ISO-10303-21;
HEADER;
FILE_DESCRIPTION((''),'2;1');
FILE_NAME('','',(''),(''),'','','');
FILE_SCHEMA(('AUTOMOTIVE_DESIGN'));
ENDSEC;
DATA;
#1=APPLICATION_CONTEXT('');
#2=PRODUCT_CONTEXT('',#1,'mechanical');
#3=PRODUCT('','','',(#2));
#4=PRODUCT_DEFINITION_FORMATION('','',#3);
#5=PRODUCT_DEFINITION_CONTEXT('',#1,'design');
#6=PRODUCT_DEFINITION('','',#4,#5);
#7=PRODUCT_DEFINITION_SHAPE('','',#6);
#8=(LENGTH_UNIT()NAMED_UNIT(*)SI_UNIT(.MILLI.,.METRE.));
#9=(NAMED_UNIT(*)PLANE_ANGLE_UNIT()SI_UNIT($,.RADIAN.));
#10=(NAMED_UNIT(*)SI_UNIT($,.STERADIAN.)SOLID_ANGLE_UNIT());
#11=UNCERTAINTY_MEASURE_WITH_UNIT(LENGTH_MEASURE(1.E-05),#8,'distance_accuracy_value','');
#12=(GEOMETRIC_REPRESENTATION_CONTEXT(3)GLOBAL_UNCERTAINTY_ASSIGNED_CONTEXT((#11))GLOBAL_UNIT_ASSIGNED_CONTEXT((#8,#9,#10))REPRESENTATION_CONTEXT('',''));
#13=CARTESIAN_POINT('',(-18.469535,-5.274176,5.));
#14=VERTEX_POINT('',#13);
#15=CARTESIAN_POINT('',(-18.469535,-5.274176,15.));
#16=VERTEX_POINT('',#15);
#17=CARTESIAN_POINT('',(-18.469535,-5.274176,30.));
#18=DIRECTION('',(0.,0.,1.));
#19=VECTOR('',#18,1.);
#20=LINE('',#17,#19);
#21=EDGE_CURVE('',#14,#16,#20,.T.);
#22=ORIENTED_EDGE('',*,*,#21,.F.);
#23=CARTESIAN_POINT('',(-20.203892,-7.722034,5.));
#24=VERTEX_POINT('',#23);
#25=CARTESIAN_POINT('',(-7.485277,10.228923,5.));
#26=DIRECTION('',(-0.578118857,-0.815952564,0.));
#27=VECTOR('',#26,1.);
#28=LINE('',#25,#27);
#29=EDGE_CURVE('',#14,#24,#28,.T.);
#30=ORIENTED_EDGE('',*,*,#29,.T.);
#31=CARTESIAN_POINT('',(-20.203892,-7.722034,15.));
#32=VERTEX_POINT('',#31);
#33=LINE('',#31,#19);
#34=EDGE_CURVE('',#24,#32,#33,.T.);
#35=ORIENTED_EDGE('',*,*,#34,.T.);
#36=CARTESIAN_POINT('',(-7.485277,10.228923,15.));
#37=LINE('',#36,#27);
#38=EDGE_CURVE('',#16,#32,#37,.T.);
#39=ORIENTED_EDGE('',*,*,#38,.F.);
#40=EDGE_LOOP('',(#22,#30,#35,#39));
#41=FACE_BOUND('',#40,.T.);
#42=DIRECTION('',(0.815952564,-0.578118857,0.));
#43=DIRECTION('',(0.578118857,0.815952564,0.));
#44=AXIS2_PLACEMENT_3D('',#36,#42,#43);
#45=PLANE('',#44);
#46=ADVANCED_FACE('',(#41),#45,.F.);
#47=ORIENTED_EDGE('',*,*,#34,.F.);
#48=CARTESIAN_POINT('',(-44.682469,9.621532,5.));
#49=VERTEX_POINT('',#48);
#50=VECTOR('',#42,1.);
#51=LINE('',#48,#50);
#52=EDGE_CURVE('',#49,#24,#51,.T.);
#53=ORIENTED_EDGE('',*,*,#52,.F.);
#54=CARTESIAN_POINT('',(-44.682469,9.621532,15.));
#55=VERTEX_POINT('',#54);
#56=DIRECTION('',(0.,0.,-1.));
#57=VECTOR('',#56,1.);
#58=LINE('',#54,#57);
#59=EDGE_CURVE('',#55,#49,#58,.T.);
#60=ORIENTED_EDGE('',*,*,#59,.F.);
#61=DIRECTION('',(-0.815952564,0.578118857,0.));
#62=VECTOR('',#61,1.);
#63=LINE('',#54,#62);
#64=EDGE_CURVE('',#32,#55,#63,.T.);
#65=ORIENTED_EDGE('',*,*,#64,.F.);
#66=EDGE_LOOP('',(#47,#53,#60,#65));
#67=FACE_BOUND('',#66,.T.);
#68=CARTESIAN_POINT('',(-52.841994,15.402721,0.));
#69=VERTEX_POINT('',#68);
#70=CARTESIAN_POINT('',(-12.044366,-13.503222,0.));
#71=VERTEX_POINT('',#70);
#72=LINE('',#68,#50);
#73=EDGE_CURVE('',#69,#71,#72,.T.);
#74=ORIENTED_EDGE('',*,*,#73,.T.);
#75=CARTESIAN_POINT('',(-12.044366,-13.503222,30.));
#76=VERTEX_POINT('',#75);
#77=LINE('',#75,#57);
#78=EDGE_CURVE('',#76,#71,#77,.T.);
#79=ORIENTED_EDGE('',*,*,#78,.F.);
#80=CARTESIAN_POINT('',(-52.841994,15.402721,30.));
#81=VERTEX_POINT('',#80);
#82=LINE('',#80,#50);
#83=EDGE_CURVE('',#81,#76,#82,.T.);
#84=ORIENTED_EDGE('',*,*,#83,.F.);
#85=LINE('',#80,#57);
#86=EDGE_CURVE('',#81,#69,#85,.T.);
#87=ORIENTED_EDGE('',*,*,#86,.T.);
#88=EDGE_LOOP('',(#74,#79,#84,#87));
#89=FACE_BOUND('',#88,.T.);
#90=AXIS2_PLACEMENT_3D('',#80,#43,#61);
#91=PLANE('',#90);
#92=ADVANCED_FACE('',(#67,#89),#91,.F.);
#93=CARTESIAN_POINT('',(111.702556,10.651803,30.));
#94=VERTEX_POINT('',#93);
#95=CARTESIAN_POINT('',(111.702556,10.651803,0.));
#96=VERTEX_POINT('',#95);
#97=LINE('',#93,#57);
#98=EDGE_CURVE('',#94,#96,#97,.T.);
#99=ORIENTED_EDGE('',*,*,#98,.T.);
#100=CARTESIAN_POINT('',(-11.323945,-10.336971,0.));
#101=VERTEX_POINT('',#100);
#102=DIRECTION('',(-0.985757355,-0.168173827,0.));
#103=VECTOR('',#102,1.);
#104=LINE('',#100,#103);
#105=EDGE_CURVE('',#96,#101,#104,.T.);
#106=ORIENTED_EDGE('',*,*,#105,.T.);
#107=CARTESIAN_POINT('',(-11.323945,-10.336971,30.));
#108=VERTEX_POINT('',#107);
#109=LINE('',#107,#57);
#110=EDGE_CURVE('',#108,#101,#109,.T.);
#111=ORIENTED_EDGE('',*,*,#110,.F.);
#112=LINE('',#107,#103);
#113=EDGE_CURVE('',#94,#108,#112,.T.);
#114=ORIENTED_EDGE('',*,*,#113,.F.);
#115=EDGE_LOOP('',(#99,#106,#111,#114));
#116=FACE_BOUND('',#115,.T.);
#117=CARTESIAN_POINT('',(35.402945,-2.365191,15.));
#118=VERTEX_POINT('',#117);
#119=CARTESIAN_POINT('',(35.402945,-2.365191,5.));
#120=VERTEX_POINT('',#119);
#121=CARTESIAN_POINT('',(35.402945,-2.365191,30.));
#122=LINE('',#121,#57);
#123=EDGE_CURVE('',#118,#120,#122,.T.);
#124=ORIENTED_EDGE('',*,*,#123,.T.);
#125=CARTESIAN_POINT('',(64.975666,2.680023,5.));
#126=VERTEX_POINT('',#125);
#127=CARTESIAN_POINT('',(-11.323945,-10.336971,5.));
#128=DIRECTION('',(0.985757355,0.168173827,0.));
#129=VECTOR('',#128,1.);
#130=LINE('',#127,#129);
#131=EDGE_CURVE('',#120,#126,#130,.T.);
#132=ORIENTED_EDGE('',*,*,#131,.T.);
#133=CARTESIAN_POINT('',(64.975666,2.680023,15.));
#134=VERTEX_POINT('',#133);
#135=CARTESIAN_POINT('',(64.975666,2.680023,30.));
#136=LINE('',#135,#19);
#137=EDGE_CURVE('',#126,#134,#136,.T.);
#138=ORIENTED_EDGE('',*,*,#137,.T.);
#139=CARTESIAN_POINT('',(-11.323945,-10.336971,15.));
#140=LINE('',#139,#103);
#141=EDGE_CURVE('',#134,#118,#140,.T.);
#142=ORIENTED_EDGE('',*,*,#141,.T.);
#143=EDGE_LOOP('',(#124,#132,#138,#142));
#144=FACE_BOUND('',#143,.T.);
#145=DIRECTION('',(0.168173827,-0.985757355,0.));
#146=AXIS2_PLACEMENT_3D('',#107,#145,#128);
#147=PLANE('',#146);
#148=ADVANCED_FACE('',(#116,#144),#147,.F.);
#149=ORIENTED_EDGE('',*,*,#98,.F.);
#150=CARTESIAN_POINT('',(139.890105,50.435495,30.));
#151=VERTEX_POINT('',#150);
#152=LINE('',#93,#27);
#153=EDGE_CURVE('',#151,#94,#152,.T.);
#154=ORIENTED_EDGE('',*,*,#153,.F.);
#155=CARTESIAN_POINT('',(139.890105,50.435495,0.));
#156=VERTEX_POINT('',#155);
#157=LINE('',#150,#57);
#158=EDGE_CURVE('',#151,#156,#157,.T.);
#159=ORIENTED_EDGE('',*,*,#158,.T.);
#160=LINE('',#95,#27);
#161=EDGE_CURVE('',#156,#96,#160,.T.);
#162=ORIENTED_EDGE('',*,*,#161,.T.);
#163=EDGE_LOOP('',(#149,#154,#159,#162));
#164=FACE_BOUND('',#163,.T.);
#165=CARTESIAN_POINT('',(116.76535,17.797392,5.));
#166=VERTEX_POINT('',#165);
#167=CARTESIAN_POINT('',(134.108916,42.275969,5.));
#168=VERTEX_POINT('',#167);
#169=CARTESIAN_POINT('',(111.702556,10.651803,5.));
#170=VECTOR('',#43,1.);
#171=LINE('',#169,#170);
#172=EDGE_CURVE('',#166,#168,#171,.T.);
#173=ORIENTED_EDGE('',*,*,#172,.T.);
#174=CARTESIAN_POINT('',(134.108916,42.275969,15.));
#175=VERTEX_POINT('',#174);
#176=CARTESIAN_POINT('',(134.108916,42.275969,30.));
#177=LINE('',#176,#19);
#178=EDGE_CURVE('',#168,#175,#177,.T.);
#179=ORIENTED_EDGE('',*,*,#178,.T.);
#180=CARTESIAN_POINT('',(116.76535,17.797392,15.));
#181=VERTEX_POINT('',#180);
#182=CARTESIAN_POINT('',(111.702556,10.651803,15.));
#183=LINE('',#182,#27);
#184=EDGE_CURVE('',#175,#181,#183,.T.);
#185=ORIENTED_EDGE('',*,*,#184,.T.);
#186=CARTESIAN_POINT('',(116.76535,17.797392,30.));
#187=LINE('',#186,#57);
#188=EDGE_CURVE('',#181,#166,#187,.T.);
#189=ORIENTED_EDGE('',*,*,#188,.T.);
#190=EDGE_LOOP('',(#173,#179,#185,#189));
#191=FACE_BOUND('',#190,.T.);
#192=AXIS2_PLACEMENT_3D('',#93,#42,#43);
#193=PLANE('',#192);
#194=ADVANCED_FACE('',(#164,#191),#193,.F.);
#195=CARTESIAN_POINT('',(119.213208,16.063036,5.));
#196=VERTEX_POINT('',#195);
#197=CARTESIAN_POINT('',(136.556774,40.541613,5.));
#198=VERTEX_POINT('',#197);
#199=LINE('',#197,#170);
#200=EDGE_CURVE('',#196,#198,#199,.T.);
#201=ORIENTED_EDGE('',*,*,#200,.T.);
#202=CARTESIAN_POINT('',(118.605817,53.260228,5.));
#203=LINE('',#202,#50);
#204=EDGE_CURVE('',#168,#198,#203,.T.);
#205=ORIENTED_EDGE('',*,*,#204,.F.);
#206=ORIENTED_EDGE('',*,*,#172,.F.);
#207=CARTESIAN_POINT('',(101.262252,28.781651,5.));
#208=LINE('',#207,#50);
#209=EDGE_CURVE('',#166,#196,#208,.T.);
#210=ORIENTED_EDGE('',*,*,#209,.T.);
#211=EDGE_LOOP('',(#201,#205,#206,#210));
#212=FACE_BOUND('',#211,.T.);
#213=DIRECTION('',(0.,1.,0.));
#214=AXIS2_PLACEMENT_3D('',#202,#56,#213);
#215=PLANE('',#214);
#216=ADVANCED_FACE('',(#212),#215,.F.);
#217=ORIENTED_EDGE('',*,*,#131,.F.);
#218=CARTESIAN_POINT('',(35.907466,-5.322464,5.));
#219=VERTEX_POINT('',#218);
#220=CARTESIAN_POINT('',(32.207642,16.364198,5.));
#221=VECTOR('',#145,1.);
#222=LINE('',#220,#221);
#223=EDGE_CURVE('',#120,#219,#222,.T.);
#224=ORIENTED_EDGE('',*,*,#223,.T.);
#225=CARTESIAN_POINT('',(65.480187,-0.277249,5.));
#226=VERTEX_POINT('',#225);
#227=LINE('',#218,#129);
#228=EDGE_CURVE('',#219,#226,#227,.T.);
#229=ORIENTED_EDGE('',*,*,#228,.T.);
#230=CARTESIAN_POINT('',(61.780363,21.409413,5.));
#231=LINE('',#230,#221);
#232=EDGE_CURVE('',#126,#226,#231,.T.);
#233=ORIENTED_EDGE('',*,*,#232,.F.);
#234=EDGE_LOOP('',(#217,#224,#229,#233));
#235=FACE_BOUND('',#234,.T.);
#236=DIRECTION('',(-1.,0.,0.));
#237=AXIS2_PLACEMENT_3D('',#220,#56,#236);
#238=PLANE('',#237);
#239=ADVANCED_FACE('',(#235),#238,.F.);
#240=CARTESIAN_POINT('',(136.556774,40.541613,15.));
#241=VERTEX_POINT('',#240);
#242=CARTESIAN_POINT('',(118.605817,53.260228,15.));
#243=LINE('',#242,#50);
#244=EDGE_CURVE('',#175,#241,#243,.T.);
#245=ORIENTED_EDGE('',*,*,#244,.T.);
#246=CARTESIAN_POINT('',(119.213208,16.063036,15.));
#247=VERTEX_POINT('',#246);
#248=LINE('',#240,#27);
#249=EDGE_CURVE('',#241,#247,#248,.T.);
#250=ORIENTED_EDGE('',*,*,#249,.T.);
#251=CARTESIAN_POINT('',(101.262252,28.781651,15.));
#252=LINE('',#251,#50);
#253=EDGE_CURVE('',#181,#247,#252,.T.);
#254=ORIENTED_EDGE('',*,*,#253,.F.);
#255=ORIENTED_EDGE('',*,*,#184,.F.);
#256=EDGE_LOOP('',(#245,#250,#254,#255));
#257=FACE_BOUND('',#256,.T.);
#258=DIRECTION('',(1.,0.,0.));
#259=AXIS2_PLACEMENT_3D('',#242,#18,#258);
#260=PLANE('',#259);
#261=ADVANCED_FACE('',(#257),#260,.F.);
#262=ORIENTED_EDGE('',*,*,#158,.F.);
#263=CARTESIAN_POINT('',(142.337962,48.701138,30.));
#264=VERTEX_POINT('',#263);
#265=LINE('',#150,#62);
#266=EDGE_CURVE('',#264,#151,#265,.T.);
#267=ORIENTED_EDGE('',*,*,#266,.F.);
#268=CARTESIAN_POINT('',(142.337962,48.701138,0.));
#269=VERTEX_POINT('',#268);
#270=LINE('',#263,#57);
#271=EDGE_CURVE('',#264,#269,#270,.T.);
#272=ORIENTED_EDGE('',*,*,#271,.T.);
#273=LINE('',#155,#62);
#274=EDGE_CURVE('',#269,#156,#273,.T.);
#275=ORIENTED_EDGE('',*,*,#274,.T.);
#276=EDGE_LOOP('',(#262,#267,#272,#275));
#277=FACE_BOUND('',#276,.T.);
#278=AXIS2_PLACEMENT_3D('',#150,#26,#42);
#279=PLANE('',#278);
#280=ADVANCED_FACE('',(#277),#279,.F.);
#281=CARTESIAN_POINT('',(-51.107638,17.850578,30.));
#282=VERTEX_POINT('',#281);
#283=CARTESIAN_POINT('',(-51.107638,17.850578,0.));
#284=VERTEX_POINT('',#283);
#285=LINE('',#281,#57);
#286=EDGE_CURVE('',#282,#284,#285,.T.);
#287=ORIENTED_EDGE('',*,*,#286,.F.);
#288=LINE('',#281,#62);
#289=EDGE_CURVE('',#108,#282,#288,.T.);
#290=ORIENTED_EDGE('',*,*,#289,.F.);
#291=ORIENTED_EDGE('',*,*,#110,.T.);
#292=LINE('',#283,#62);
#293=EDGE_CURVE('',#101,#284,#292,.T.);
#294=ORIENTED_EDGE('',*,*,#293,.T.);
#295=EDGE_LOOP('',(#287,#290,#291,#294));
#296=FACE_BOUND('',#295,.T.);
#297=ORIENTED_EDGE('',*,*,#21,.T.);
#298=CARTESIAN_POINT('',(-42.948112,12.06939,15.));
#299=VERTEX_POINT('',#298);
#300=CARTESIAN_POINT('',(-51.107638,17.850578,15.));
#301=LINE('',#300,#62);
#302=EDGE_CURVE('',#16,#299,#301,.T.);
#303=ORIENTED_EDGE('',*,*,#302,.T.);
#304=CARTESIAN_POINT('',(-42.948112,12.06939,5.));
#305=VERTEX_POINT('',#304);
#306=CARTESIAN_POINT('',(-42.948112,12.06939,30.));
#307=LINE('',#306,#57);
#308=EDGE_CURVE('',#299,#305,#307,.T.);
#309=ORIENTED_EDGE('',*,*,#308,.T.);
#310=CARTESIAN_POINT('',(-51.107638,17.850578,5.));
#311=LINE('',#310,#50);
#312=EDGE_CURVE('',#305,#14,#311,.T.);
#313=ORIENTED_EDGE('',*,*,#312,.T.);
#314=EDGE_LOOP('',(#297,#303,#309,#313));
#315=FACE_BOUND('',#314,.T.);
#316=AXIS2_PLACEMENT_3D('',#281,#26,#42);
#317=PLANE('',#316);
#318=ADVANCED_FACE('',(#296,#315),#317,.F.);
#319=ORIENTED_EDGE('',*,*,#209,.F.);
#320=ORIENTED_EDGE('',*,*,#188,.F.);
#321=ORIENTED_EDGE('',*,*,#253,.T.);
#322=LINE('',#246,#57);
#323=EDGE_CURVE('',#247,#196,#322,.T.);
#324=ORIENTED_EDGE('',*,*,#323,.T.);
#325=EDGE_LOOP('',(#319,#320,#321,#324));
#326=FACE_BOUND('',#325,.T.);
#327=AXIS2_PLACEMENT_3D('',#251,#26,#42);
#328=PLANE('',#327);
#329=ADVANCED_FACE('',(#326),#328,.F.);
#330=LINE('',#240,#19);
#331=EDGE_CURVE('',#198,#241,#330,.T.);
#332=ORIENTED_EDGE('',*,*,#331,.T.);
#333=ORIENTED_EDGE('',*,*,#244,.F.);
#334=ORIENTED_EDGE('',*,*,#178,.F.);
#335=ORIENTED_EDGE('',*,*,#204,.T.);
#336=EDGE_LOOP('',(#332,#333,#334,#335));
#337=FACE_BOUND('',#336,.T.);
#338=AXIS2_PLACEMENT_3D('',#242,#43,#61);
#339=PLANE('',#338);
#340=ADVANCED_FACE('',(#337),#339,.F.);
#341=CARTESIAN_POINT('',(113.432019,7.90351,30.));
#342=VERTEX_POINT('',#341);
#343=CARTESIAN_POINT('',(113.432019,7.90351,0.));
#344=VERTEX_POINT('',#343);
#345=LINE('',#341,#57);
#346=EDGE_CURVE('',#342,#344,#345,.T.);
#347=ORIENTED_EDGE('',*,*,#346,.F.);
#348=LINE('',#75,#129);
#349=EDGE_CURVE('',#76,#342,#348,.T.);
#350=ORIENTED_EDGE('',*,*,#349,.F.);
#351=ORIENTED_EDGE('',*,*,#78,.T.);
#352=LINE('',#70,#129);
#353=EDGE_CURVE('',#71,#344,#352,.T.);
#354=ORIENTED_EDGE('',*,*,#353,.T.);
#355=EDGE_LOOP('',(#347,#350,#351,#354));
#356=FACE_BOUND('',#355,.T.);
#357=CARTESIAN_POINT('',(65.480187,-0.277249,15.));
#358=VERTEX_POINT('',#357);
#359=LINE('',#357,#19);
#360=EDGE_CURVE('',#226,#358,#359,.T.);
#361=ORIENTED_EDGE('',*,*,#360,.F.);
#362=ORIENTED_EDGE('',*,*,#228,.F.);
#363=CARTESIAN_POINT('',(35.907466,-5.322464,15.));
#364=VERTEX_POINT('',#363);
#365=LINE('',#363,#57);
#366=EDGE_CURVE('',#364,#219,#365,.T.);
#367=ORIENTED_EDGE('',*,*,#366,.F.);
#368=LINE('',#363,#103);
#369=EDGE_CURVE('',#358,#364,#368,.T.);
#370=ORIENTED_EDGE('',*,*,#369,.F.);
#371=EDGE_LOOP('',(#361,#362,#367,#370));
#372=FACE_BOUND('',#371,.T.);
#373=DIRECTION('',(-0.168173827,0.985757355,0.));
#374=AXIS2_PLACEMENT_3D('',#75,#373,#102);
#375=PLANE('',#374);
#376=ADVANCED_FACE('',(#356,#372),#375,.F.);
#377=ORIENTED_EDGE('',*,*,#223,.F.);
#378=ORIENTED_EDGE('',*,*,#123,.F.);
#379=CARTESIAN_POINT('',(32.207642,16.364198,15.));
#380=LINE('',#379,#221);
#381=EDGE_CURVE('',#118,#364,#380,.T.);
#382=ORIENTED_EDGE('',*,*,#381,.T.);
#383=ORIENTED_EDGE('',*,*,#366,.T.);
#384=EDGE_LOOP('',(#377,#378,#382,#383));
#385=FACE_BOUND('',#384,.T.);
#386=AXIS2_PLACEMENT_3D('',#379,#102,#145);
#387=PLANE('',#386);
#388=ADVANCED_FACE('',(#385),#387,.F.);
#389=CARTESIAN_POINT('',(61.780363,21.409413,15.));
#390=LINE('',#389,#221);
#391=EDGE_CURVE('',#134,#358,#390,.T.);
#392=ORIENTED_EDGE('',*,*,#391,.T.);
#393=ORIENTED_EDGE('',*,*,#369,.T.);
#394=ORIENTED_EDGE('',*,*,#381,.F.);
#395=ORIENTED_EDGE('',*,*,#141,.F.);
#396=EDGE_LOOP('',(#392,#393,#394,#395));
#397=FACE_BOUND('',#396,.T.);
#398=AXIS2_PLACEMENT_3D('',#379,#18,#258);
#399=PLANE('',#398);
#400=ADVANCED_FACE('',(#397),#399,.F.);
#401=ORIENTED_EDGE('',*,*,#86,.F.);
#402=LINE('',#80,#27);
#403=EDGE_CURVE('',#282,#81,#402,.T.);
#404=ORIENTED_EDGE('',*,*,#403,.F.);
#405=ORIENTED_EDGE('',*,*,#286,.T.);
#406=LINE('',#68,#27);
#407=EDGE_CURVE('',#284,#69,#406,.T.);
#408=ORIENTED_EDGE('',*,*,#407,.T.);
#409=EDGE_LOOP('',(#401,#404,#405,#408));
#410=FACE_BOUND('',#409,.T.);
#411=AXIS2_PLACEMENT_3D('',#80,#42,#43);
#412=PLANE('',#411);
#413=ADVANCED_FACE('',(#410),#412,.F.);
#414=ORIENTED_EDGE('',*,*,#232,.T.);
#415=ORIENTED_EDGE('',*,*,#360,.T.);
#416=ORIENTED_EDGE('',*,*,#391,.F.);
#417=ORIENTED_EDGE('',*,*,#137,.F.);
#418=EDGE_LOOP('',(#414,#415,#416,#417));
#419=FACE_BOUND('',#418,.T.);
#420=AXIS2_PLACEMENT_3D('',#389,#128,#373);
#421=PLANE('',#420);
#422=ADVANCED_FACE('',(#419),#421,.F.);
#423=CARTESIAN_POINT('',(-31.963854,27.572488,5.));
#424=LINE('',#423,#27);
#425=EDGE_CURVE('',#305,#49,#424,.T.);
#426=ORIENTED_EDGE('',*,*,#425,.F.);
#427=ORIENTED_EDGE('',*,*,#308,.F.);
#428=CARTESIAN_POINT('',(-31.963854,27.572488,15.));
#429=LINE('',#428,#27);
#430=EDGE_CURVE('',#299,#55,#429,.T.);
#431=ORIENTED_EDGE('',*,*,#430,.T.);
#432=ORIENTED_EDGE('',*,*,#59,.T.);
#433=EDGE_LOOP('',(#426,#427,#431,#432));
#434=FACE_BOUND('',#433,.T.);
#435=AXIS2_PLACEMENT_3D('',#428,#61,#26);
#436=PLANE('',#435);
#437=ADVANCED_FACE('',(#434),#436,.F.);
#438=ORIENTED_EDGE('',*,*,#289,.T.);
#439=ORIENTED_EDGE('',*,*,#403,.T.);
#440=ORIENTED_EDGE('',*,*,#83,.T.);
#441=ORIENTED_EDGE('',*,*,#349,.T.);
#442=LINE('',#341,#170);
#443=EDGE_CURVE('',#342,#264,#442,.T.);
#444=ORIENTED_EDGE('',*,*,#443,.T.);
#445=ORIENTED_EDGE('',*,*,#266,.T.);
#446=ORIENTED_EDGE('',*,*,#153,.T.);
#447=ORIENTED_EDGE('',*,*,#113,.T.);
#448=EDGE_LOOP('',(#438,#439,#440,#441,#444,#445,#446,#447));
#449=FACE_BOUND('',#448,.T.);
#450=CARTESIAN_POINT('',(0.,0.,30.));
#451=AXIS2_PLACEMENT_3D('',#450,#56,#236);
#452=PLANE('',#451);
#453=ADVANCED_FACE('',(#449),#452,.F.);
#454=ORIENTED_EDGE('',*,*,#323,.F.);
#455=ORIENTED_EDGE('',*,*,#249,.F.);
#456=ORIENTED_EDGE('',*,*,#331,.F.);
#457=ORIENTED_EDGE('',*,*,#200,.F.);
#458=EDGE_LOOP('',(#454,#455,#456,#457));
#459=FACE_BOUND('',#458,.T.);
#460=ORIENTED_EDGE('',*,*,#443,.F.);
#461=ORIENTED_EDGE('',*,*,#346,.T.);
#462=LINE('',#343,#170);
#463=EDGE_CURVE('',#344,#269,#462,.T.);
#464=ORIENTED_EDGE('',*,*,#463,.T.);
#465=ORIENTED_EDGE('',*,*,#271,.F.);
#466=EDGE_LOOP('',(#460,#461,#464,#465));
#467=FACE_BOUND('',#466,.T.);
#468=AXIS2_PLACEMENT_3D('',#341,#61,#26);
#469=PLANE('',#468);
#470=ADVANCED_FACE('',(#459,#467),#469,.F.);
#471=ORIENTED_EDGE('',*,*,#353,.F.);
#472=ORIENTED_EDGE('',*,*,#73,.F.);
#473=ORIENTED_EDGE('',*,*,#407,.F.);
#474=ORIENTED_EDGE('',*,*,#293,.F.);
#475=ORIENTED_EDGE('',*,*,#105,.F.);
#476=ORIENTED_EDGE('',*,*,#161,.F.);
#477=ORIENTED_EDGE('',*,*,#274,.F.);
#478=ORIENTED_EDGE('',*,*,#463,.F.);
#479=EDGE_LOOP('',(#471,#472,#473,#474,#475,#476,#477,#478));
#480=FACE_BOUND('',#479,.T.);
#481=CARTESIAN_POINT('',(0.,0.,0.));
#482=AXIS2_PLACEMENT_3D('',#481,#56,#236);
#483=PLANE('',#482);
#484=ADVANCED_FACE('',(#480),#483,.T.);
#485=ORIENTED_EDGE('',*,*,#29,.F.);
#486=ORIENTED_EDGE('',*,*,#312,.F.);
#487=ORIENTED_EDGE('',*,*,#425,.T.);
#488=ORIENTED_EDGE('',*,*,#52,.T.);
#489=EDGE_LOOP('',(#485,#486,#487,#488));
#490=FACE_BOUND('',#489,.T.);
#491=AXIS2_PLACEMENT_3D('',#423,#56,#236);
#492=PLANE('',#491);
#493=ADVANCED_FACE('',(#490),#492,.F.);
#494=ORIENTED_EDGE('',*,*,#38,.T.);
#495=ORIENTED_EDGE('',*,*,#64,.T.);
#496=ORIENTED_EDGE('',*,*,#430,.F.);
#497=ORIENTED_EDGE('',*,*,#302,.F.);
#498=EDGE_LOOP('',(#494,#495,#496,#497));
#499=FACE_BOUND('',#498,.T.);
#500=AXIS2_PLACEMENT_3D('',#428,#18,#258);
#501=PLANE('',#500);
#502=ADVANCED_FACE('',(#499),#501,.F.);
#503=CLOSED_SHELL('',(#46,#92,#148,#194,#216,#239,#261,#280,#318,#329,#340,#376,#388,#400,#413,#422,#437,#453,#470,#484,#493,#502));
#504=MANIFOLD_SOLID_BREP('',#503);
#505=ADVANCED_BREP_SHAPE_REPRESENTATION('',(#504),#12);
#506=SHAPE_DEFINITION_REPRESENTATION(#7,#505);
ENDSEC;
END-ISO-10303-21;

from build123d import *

# Parameters (mm, degrees)
BOSS_EXTRUDE1_DEPTH = 30
SKETCH4_W           = 30
SKETCH4_H           = 10
CUT_EXTRUDE1_DEPTH  = 22
SKETCH5_W           = 30
SKETCH5_H           = 10
CUT_EXTRUDE2_DEPTH  = 22
SKETCH7_W           = 10
SKETCH7_H           = 30
CUT_EXTRUDE3_DEPTH  = 22


with BuildPart() as part:
    # Sketch1 → Boss-Extrude1 (new body)
    with BuildSketch(Plane.XY):
        Polygon((-52.841994179, 15.40272055), (-12.04436597, -13.503222307), (113.43201935, 7.903510096), (142.337962207, 48.701138306), (139.890104514, 50.435494878), (111.702555671, 10.651802523), (-11.323945253, -10.336970601), (-51.107637608, 17.850578242), align=None)
    extrude(amount=BOSS_EXTRUDE1_DEPTH)

    # Sketch4 → Cut-Extrude1 (cut)
    with BuildSketch(Plane(origin=(1.897901103, -11.124620313, 0), x_dir=(0.9857573554860628, 0.16817382705142964, 0), z_dir=(0.1681738270514296, -0.9857573554860627, 0))):
        with Locations((49.500950021, 10)):
            Rectangle(SKETCH4_W, SKETCH4_H)
    extrude(amount=-CUT_EXTRUDE1_DEPTH, mode=Mode.SUBTRACT)

    # Sketch5 → Cut-Extrude2 (cut)
    with BuildSketch(Plane(origin=(-10.395192144, -14.671695242, 0), x_dir=(0.8159525641948715, -0.5781188571425553, 0), z_dir=(-0.5781188571425553, -0.8159525641948715, 0))):
        with Locations((-27.021163849, 10)):
            Rectangle(SKETCH5_W, SKETCH5_H)
    extrude(amount=-CUT_EXTRUDE2_DEPTH, mode=Mode.SUBTRACT)

    # Sketch7 → Cut-Extrude3 (cut)
    with BuildSketch(Plane(origin=(71.792385036, -50.866353523, 0), x_dir=(0, 0, -1), z_dir=(0.8159525641948736, -0.5781188571425522, 0))):
        with Locations((-10, 97.026078719)):
            Rectangle(SKETCH7_W, SKETCH7_H)
    extrude(amount=-CUT_EXTRUDE3_DEPTH, mode=Mode.SUBTRACT)


solid = part.part
